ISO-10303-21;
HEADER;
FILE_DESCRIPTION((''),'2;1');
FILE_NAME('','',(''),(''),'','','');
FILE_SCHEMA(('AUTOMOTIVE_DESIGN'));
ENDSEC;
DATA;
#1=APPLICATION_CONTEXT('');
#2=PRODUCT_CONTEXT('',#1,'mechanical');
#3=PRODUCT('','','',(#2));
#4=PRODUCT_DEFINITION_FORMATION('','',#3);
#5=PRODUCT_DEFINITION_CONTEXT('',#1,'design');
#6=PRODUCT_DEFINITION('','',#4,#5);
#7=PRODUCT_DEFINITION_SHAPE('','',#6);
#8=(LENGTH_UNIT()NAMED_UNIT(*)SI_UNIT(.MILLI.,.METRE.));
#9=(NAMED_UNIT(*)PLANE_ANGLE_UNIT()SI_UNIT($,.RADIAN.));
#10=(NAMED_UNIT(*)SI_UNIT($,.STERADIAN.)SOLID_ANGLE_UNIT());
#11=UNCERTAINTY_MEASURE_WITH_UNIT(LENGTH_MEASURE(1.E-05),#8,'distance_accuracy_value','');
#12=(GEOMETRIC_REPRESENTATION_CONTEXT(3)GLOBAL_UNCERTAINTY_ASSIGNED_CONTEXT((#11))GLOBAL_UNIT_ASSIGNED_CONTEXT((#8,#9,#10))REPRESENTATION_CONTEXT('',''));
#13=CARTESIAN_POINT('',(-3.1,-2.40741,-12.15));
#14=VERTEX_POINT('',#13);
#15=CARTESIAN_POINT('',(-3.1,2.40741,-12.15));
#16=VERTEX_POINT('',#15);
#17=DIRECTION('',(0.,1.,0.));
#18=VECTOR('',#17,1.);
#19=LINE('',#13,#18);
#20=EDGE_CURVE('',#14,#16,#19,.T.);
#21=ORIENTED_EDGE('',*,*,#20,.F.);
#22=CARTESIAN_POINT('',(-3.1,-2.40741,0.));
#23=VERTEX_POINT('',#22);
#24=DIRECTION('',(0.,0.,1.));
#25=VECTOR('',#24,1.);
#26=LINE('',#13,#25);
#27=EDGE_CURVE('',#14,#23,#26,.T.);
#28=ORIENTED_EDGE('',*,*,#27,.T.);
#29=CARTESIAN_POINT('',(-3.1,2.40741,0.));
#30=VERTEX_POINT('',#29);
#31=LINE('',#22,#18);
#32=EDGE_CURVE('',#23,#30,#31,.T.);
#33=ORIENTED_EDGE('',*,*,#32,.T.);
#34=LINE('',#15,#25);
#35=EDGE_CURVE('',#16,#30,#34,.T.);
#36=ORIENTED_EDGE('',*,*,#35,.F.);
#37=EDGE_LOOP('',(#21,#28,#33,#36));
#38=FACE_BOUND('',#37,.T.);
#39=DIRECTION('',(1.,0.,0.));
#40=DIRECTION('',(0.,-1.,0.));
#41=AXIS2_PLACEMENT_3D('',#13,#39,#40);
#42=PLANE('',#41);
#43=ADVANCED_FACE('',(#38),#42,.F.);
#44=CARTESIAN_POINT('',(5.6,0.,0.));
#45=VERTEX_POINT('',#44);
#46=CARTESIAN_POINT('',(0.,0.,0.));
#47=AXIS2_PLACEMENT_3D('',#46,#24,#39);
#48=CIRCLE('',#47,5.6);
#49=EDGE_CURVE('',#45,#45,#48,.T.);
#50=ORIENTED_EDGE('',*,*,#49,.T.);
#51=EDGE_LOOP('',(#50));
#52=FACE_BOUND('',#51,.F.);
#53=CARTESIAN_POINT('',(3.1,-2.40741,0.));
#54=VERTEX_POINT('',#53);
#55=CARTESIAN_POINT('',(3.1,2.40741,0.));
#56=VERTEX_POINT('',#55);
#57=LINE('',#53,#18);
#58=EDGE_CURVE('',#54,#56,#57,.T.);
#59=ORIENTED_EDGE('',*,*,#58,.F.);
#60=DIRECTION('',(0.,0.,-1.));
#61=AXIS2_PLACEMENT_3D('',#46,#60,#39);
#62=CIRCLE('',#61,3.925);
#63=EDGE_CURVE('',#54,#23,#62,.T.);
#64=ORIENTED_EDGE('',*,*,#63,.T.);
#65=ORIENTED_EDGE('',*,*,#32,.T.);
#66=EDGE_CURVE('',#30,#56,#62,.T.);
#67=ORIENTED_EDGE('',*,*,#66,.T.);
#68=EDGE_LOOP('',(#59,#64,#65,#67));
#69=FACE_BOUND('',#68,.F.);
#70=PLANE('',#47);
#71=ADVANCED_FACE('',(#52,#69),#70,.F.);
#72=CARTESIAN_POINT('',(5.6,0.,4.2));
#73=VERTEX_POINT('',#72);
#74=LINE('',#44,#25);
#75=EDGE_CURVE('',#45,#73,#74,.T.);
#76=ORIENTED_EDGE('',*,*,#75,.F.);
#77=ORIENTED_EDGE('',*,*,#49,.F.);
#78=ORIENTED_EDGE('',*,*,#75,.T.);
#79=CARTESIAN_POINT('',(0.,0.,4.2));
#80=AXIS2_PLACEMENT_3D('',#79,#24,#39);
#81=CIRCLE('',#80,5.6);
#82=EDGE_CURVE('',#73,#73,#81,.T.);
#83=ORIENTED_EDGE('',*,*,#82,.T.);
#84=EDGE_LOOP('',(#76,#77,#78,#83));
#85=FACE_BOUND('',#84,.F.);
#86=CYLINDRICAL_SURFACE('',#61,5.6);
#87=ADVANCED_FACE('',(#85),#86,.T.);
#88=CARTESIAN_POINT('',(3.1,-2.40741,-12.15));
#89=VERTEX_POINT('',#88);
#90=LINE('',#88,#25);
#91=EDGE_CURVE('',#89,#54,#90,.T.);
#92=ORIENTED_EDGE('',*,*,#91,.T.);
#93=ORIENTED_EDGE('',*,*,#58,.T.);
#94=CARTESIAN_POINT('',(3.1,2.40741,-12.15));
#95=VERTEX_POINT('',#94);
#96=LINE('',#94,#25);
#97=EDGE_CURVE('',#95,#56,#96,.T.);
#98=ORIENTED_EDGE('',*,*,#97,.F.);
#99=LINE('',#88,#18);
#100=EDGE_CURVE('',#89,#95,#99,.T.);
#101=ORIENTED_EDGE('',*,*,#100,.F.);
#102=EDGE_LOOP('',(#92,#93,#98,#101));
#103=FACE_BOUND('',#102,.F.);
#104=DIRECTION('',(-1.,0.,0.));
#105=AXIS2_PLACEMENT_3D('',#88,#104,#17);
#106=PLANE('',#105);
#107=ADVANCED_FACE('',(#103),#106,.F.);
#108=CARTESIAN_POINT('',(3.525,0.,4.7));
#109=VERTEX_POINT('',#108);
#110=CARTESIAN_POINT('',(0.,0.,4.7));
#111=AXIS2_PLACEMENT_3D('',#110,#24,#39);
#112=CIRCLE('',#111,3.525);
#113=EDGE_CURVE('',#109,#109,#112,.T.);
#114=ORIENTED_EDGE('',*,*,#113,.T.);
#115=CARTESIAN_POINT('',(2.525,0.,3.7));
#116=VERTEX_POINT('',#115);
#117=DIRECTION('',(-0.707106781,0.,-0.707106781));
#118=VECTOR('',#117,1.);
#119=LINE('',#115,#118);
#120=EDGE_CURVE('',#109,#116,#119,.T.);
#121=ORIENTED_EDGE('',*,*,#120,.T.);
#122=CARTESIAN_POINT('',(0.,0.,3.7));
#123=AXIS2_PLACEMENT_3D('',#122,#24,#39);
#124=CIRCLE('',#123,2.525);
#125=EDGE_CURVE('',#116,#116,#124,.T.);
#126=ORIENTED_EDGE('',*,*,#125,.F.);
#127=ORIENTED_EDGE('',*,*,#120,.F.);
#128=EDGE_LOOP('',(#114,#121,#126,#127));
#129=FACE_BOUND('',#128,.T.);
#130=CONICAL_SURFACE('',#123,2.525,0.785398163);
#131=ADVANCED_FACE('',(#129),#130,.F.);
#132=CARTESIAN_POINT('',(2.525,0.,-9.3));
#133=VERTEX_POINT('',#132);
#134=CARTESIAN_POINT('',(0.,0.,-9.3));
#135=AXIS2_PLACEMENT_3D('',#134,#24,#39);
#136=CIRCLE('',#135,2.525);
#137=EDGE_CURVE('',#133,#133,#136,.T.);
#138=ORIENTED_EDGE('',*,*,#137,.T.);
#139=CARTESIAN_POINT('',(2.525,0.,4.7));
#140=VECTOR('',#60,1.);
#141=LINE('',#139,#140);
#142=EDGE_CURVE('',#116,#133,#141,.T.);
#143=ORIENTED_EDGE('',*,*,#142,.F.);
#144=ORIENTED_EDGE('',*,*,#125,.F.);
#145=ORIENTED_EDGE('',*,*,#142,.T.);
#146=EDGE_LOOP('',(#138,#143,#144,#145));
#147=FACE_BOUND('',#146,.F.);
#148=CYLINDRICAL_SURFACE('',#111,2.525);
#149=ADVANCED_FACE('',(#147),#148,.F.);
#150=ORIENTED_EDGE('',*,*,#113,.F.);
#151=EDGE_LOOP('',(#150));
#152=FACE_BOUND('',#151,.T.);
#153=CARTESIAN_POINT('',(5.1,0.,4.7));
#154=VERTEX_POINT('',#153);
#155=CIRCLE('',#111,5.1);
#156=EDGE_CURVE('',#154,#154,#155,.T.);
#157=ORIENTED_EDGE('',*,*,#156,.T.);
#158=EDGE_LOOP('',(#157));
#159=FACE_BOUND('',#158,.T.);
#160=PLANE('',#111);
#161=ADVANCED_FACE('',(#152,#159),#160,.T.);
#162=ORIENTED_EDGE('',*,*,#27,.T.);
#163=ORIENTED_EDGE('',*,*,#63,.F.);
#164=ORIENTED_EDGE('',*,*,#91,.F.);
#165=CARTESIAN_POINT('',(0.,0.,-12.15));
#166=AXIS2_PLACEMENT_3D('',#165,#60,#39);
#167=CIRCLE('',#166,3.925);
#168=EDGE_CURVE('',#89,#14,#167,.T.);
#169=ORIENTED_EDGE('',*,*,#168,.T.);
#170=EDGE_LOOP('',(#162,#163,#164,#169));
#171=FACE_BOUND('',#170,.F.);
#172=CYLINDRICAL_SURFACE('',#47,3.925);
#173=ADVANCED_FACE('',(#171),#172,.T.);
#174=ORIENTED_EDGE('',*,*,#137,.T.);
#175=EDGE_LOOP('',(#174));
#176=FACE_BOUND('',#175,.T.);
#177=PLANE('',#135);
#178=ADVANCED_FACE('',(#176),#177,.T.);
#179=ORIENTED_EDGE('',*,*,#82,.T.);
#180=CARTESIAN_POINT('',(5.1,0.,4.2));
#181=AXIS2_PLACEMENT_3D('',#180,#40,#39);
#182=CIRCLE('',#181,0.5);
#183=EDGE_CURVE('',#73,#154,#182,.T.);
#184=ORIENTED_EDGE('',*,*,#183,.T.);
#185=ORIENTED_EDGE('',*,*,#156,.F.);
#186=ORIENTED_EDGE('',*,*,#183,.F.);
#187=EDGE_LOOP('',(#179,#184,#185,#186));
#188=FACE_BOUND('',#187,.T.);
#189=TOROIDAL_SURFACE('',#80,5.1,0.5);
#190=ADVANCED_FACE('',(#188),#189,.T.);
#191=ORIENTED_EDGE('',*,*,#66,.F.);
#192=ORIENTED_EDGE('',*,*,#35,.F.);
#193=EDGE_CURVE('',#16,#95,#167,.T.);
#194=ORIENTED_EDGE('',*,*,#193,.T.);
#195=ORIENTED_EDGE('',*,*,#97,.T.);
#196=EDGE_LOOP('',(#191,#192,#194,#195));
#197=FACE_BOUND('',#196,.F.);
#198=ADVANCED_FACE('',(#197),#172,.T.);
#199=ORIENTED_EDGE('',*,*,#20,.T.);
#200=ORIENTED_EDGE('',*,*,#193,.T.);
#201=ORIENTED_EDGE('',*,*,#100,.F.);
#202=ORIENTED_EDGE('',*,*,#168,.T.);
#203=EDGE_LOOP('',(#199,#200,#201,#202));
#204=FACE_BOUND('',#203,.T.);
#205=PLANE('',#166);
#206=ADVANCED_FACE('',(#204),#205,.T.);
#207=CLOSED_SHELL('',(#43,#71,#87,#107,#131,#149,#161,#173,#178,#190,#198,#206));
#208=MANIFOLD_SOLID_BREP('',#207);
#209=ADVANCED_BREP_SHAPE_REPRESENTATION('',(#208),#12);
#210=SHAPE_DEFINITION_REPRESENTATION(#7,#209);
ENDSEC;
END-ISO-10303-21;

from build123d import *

# Parameters (mm, degrees)
SKETCH003_R     = 5.6
PAD001_DEPTH    = 4.7
SKETCH004_R     = 3.925
PAD002_DEPTH    = 12.15
SKETCH005_R     = 2.525
POCKET002_DEPTH = 14
FILLET_R        = 0.5
CHAMFER_SIZE    = 1
POCKET003_DEPTH = 12.15


with BuildPart() as part:
    # Sketch003 → Pad001 (new body)
    with BuildSketch(Plane.XY):
        Circle(SKETCH003_R)
    extrude(amount=PAD001_DEPTH)

    # Sketch004 (on Face2 of Pad001) → Pad002 (join)
    with BuildSketch(Plane(origin=(0, 0, 0), x_dir=(1, 0, 0), z_dir=(0, 0, -1))):
        Circle(SKETCH004_R)
    extrude(amount=PAD002_DEPTH)

    # Sketch005 (on Face3 of Pad002) → Pocket002 (cut)
    with BuildSketch(Plane.XY.offset(4.7)):
        Circle(SKETCH005_R)
    extrude(amount=-POCKET002_DEPTH, mode=Mode.SUBTRACT)

    # Fillet
    fillet_edges = [part.edges().sort_by_distance(p)[0] for p in [
        (-5.6, 0, 4.7),
    ]]
    fillet(fillet_edges, radius=FILLET_R)

    # Chamfer
    chamfer_edges = [part.edges().sort_by_distance(p)[0] for p in [
        (-2.525, 0, 4.7),
    ]]
    chamfer(chamfer_edges, length=CHAMFER_SIZE)

    # Sketch006 (on Face9 of Chamfer) → Pocket003 (cut)
    with BuildSketch(Plane(origin=(0, 0, -12.15), x_dir=(1, 0, 0), z_dir=(0, 0, -1))):
        with BuildLine():
            Line((3.1, 2.40741), (3.1, -2.40741))
            ThreePointArc((3.1, -2.40741), (3.925, 0), (3.1, 2.40741))
        make_face()
    pocket003 = extrude(amount=-POCKET003_DEPTH, mode=Mode.SUBTRACT)

    # Mirrored: Pocket003 across Sketch006 V_Axis
    add(pocket003.mirror(Plane(origin=(0, 0, -12.15), x_dir=(0, 0, -1), z_dir=(1, 0, 0))), mode=Mode.SUBTRACT)


solid = part.part
